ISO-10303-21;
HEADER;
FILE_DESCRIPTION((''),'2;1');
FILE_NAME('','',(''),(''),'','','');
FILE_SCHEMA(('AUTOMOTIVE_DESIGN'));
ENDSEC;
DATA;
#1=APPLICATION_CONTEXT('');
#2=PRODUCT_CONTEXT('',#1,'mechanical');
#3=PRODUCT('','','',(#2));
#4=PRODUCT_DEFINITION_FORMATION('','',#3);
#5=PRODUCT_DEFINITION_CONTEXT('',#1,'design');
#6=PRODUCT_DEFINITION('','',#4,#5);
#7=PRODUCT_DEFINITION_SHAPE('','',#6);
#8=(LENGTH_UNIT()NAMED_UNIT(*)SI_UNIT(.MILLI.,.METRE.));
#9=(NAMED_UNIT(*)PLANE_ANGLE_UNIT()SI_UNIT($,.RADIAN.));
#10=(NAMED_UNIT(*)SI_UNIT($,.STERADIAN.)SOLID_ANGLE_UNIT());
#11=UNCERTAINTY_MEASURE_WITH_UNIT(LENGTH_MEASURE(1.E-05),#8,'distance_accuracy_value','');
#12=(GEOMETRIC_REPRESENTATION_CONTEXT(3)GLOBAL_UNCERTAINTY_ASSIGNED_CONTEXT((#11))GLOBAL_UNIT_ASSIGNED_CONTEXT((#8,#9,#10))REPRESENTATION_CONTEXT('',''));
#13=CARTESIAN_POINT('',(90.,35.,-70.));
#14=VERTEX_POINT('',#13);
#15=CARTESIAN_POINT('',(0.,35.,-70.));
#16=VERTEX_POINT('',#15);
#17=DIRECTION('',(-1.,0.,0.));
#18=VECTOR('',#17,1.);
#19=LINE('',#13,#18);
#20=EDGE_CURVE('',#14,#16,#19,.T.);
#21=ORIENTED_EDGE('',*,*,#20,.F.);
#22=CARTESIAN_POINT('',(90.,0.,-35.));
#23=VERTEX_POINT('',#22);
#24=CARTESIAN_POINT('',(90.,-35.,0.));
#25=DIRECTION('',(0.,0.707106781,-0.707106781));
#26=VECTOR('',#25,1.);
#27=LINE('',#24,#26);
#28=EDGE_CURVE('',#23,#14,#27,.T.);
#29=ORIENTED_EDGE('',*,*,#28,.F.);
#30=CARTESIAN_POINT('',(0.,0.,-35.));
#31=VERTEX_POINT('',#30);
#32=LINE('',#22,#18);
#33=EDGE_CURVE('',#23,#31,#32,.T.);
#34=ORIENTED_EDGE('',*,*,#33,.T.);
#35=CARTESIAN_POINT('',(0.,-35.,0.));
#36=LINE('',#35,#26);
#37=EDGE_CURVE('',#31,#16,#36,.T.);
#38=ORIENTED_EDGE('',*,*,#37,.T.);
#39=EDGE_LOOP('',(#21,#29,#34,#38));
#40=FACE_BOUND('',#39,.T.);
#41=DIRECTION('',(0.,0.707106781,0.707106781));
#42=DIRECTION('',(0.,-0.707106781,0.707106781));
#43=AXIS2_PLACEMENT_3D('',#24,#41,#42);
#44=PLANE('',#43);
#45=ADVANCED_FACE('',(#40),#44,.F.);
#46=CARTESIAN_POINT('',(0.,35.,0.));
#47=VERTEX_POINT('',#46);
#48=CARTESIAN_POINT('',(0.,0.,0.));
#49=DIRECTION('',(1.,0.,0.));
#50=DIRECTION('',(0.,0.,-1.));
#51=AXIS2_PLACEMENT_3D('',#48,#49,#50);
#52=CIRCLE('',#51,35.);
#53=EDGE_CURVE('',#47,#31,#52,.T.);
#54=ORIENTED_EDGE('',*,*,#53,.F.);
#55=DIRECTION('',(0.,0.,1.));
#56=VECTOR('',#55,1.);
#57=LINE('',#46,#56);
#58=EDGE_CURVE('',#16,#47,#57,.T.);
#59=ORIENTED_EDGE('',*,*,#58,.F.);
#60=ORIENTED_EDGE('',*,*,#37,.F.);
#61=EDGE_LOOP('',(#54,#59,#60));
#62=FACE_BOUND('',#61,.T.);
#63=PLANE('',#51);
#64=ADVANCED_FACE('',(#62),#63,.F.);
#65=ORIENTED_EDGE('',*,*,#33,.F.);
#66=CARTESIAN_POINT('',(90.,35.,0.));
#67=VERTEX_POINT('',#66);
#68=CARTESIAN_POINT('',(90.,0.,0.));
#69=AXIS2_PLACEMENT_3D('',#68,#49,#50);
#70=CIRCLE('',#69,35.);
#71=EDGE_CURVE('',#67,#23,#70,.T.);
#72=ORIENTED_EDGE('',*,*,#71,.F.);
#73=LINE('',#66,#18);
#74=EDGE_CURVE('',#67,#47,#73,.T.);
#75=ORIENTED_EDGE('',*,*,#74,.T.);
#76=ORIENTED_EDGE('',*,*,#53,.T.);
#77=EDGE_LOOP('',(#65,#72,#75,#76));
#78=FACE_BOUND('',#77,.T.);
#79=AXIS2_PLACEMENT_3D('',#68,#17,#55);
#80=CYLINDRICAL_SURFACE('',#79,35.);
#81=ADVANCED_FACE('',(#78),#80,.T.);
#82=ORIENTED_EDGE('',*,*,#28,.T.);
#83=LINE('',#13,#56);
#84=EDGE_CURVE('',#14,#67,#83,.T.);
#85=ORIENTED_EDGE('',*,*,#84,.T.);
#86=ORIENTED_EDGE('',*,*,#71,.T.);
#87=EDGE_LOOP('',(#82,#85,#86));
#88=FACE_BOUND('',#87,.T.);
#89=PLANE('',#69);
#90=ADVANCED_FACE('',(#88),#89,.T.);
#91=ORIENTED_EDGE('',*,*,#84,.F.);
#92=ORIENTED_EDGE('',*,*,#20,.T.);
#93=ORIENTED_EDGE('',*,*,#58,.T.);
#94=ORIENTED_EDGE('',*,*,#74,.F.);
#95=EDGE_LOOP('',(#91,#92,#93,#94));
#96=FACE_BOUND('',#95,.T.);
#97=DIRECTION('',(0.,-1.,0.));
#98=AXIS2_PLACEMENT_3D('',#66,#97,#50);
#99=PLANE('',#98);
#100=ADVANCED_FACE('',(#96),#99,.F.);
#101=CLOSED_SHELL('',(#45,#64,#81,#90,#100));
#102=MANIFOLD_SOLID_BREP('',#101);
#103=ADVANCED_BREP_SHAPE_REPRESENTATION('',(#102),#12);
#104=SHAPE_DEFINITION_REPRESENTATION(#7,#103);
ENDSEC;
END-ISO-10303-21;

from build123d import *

# Parameters (mm, degrees)
SKETCH_1_R      = 35
EXTRUDE_1_DEPTH = 90
EXTRUDE_2_DEPTH = 90


with BuildPart() as part:
    # 草图1 → 凸台-拉伸1 (new body)
    with BuildSketch(Plane(origin=(0, 0, 0), x_dir=(0, 0, -1), z_dir=(1, 0, 0))):
        with Locations(Location((0, 0, 0), (0, 0, 180))):
            Circle(SKETCH_1_R)
    extrude(amount=EXTRUDE_1_DEPTH)

    # 草图3 → 凸台-拉伸2 (add)
    with BuildSketch(Plane(origin=(0, 0, 0), x_dir=(0, 0, -1), z_dir=(1, 0, 0))):
        Polygon((0, 35), (65.194417274, 35), (70, 35), (0, -35), align=None)
    extrude(amount=EXTRUDE_2_DEPTH)


solid = part.part
